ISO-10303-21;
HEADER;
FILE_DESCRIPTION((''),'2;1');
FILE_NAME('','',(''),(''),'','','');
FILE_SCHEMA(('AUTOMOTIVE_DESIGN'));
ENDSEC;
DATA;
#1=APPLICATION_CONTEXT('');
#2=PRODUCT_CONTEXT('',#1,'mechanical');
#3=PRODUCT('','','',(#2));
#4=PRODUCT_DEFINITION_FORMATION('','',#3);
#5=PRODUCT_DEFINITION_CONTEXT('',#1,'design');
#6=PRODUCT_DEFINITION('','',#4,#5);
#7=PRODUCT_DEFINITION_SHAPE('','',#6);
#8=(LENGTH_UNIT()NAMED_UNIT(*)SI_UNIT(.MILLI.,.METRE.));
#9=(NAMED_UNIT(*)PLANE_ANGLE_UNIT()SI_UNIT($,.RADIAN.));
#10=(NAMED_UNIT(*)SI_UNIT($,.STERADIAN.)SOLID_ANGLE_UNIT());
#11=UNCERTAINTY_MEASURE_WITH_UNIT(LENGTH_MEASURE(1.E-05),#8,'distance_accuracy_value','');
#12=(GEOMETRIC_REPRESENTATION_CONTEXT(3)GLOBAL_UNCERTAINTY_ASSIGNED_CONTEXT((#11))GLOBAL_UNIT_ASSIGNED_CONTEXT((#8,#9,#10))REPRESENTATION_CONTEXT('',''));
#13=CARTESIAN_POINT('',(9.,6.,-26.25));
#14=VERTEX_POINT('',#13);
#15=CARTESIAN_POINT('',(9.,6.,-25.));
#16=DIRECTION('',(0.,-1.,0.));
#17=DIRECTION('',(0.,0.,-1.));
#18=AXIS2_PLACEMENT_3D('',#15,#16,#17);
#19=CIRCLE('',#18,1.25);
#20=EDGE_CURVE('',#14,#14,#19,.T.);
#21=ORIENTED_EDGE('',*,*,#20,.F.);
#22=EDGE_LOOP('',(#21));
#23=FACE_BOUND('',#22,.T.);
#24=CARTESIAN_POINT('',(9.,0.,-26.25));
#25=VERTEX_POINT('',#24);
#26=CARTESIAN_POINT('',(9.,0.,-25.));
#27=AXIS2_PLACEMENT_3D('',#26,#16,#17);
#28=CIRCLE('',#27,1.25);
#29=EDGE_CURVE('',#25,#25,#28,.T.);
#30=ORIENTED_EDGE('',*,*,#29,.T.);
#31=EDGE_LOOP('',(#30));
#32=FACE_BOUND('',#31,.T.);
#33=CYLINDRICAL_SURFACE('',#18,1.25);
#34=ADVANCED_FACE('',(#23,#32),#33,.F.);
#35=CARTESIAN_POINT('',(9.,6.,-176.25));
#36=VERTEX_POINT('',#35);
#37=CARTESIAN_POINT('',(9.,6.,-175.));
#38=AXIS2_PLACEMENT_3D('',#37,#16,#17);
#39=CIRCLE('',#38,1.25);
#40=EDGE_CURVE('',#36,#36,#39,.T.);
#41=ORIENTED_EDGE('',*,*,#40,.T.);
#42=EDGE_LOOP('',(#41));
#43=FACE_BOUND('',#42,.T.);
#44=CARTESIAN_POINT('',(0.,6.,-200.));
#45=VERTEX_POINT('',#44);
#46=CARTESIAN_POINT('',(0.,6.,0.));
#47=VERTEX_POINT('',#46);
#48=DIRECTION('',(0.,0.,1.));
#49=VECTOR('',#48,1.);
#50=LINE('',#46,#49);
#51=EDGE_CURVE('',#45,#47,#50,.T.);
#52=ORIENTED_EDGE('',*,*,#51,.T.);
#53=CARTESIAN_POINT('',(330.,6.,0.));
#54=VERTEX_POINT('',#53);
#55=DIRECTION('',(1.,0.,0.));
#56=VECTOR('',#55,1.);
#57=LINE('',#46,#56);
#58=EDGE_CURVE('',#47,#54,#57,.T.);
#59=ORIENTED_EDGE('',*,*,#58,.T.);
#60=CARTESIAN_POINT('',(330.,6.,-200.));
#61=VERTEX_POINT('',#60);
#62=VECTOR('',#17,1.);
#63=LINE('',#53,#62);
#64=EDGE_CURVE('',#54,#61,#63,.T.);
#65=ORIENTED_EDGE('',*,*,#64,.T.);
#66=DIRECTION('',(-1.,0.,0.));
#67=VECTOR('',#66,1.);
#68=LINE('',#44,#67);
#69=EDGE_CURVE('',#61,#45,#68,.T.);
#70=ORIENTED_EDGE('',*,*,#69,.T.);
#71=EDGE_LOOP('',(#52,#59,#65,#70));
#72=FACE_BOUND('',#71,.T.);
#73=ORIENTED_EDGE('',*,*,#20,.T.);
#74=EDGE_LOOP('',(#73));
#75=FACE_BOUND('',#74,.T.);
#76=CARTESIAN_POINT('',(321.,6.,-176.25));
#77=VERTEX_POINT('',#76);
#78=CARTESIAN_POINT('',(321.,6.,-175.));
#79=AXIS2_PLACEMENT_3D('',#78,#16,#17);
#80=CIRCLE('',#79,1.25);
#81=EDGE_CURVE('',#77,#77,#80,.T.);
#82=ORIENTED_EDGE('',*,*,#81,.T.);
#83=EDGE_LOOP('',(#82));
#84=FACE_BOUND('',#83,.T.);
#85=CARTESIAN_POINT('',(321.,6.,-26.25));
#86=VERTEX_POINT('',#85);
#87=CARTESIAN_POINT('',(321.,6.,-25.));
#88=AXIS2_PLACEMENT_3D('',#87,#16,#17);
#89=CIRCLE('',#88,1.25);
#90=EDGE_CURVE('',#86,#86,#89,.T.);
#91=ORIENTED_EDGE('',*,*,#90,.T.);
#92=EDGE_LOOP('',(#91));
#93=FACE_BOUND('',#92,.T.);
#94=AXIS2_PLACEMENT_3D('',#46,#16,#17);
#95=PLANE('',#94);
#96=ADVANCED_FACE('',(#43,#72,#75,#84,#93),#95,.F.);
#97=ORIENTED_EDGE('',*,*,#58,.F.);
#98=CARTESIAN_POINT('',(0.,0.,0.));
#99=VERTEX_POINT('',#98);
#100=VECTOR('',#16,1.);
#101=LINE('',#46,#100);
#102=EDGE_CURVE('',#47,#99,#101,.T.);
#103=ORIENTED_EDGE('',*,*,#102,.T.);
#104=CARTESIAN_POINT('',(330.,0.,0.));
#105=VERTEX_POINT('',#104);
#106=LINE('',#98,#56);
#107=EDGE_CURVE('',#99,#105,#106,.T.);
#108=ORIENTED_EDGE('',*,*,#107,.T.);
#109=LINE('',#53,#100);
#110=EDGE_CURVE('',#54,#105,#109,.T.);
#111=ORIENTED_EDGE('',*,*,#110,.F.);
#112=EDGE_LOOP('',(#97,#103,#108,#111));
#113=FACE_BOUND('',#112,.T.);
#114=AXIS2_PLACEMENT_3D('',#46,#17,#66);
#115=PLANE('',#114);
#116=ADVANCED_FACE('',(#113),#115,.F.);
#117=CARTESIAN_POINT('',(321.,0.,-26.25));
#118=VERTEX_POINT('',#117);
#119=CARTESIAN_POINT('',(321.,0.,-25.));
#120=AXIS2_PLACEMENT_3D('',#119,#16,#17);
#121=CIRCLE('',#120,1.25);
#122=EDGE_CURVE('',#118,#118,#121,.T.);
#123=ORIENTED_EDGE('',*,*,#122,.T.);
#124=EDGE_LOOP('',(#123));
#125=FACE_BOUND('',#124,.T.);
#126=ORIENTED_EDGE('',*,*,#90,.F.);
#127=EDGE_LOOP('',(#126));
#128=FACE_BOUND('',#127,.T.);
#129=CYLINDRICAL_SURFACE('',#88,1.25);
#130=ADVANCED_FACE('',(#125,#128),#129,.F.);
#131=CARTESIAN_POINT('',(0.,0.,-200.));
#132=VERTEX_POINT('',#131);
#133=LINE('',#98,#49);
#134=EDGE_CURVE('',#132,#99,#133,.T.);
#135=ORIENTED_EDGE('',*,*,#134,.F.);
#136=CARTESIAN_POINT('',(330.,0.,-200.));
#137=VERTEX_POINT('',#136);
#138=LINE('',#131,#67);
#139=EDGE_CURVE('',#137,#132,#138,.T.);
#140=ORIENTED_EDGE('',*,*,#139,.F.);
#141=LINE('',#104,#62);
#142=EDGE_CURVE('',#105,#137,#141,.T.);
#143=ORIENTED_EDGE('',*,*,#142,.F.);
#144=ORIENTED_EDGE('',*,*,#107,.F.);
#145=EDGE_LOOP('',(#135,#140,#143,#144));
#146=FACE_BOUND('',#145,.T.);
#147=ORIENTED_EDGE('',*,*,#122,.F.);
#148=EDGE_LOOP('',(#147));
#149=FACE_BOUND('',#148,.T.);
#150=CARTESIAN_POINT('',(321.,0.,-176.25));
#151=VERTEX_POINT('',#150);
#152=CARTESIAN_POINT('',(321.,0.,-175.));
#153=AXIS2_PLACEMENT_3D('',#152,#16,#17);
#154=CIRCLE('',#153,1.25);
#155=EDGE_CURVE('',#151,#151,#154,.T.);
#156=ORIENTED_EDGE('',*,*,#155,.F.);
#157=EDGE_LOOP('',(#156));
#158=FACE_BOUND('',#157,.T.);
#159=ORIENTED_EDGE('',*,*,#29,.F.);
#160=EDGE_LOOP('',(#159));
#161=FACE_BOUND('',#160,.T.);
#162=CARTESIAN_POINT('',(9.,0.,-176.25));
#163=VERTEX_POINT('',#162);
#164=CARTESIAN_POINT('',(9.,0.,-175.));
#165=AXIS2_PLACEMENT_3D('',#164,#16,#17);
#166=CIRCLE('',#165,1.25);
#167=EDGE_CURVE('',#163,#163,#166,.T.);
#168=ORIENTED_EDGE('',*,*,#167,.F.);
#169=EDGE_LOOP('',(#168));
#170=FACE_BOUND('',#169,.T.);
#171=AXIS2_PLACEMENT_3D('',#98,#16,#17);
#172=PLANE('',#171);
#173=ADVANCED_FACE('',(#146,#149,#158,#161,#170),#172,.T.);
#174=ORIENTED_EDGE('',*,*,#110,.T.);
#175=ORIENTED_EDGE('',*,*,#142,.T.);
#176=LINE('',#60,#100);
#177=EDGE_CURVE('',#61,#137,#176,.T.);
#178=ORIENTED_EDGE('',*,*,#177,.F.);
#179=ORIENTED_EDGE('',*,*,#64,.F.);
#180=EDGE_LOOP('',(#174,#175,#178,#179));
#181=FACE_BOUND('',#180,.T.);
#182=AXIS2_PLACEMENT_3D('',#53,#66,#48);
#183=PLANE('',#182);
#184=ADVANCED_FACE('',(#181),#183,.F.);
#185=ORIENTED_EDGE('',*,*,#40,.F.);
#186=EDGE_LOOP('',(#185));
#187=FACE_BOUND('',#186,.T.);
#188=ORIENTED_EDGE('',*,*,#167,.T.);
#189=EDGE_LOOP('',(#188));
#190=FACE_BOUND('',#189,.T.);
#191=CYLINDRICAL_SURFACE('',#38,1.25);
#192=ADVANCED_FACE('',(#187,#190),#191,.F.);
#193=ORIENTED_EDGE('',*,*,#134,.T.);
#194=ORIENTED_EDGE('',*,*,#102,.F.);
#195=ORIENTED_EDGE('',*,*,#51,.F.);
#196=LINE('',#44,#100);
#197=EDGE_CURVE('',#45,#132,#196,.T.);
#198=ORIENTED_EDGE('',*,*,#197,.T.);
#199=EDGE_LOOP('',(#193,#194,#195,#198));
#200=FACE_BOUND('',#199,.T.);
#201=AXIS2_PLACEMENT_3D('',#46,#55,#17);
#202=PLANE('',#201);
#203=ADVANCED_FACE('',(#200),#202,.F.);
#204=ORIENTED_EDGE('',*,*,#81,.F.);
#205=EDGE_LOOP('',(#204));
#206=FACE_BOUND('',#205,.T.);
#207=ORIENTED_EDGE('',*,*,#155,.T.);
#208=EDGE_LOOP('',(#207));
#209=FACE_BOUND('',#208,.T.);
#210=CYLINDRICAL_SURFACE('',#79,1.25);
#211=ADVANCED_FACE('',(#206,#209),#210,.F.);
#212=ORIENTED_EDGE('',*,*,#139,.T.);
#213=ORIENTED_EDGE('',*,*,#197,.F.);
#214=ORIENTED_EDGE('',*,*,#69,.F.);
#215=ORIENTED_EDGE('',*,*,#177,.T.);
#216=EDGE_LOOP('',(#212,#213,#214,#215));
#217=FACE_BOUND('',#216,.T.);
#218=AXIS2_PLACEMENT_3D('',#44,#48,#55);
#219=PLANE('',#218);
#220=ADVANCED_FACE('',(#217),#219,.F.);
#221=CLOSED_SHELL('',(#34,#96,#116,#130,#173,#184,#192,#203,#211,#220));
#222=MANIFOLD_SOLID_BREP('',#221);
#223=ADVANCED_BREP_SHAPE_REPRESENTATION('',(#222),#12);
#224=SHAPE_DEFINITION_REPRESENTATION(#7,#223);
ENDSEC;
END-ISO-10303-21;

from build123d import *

# Parameters (mm, degrees)
SKETCH1_W           = 330
SKETCH1_H           = 200
BOSS_EXTRUDE1_DEPTH = 6
SKETCH4_R           = 1.25
CUT_EXTRUDE1_DEPTH  = 7


with BuildPart() as part:
    # Sketch1 → Boss-Extrude1 (new body)
    with BuildSketch(Plane(origin=(0, 0, 0), x_dir=(1, 0, 0), z_dir=(0, 1, 0))):
        with Locations((165, 100)):
            Rectangle(SKETCH1_W, SKETCH1_H)
    extrude(amount=BOSS_EXTRUDE1_DEPTH)

    # Sketch4 → Cut-Extrude1 (cut, through all)
    with BuildSketch(Plane.XZ):
        with Locations((9, -175)):
            Circle(SKETCH4_R)
        with Locations((9, -25)):
            Circle(SKETCH4_R)
        with Locations((321, -175)):
            Circle(SKETCH4_R)
        with Locations((321, -25)):
            Circle(SKETCH4_R)
    extrude(amount=-CUT_EXTRUDE1_DEPTH, mode=Mode.SUBTRACT)


solid = part.part
